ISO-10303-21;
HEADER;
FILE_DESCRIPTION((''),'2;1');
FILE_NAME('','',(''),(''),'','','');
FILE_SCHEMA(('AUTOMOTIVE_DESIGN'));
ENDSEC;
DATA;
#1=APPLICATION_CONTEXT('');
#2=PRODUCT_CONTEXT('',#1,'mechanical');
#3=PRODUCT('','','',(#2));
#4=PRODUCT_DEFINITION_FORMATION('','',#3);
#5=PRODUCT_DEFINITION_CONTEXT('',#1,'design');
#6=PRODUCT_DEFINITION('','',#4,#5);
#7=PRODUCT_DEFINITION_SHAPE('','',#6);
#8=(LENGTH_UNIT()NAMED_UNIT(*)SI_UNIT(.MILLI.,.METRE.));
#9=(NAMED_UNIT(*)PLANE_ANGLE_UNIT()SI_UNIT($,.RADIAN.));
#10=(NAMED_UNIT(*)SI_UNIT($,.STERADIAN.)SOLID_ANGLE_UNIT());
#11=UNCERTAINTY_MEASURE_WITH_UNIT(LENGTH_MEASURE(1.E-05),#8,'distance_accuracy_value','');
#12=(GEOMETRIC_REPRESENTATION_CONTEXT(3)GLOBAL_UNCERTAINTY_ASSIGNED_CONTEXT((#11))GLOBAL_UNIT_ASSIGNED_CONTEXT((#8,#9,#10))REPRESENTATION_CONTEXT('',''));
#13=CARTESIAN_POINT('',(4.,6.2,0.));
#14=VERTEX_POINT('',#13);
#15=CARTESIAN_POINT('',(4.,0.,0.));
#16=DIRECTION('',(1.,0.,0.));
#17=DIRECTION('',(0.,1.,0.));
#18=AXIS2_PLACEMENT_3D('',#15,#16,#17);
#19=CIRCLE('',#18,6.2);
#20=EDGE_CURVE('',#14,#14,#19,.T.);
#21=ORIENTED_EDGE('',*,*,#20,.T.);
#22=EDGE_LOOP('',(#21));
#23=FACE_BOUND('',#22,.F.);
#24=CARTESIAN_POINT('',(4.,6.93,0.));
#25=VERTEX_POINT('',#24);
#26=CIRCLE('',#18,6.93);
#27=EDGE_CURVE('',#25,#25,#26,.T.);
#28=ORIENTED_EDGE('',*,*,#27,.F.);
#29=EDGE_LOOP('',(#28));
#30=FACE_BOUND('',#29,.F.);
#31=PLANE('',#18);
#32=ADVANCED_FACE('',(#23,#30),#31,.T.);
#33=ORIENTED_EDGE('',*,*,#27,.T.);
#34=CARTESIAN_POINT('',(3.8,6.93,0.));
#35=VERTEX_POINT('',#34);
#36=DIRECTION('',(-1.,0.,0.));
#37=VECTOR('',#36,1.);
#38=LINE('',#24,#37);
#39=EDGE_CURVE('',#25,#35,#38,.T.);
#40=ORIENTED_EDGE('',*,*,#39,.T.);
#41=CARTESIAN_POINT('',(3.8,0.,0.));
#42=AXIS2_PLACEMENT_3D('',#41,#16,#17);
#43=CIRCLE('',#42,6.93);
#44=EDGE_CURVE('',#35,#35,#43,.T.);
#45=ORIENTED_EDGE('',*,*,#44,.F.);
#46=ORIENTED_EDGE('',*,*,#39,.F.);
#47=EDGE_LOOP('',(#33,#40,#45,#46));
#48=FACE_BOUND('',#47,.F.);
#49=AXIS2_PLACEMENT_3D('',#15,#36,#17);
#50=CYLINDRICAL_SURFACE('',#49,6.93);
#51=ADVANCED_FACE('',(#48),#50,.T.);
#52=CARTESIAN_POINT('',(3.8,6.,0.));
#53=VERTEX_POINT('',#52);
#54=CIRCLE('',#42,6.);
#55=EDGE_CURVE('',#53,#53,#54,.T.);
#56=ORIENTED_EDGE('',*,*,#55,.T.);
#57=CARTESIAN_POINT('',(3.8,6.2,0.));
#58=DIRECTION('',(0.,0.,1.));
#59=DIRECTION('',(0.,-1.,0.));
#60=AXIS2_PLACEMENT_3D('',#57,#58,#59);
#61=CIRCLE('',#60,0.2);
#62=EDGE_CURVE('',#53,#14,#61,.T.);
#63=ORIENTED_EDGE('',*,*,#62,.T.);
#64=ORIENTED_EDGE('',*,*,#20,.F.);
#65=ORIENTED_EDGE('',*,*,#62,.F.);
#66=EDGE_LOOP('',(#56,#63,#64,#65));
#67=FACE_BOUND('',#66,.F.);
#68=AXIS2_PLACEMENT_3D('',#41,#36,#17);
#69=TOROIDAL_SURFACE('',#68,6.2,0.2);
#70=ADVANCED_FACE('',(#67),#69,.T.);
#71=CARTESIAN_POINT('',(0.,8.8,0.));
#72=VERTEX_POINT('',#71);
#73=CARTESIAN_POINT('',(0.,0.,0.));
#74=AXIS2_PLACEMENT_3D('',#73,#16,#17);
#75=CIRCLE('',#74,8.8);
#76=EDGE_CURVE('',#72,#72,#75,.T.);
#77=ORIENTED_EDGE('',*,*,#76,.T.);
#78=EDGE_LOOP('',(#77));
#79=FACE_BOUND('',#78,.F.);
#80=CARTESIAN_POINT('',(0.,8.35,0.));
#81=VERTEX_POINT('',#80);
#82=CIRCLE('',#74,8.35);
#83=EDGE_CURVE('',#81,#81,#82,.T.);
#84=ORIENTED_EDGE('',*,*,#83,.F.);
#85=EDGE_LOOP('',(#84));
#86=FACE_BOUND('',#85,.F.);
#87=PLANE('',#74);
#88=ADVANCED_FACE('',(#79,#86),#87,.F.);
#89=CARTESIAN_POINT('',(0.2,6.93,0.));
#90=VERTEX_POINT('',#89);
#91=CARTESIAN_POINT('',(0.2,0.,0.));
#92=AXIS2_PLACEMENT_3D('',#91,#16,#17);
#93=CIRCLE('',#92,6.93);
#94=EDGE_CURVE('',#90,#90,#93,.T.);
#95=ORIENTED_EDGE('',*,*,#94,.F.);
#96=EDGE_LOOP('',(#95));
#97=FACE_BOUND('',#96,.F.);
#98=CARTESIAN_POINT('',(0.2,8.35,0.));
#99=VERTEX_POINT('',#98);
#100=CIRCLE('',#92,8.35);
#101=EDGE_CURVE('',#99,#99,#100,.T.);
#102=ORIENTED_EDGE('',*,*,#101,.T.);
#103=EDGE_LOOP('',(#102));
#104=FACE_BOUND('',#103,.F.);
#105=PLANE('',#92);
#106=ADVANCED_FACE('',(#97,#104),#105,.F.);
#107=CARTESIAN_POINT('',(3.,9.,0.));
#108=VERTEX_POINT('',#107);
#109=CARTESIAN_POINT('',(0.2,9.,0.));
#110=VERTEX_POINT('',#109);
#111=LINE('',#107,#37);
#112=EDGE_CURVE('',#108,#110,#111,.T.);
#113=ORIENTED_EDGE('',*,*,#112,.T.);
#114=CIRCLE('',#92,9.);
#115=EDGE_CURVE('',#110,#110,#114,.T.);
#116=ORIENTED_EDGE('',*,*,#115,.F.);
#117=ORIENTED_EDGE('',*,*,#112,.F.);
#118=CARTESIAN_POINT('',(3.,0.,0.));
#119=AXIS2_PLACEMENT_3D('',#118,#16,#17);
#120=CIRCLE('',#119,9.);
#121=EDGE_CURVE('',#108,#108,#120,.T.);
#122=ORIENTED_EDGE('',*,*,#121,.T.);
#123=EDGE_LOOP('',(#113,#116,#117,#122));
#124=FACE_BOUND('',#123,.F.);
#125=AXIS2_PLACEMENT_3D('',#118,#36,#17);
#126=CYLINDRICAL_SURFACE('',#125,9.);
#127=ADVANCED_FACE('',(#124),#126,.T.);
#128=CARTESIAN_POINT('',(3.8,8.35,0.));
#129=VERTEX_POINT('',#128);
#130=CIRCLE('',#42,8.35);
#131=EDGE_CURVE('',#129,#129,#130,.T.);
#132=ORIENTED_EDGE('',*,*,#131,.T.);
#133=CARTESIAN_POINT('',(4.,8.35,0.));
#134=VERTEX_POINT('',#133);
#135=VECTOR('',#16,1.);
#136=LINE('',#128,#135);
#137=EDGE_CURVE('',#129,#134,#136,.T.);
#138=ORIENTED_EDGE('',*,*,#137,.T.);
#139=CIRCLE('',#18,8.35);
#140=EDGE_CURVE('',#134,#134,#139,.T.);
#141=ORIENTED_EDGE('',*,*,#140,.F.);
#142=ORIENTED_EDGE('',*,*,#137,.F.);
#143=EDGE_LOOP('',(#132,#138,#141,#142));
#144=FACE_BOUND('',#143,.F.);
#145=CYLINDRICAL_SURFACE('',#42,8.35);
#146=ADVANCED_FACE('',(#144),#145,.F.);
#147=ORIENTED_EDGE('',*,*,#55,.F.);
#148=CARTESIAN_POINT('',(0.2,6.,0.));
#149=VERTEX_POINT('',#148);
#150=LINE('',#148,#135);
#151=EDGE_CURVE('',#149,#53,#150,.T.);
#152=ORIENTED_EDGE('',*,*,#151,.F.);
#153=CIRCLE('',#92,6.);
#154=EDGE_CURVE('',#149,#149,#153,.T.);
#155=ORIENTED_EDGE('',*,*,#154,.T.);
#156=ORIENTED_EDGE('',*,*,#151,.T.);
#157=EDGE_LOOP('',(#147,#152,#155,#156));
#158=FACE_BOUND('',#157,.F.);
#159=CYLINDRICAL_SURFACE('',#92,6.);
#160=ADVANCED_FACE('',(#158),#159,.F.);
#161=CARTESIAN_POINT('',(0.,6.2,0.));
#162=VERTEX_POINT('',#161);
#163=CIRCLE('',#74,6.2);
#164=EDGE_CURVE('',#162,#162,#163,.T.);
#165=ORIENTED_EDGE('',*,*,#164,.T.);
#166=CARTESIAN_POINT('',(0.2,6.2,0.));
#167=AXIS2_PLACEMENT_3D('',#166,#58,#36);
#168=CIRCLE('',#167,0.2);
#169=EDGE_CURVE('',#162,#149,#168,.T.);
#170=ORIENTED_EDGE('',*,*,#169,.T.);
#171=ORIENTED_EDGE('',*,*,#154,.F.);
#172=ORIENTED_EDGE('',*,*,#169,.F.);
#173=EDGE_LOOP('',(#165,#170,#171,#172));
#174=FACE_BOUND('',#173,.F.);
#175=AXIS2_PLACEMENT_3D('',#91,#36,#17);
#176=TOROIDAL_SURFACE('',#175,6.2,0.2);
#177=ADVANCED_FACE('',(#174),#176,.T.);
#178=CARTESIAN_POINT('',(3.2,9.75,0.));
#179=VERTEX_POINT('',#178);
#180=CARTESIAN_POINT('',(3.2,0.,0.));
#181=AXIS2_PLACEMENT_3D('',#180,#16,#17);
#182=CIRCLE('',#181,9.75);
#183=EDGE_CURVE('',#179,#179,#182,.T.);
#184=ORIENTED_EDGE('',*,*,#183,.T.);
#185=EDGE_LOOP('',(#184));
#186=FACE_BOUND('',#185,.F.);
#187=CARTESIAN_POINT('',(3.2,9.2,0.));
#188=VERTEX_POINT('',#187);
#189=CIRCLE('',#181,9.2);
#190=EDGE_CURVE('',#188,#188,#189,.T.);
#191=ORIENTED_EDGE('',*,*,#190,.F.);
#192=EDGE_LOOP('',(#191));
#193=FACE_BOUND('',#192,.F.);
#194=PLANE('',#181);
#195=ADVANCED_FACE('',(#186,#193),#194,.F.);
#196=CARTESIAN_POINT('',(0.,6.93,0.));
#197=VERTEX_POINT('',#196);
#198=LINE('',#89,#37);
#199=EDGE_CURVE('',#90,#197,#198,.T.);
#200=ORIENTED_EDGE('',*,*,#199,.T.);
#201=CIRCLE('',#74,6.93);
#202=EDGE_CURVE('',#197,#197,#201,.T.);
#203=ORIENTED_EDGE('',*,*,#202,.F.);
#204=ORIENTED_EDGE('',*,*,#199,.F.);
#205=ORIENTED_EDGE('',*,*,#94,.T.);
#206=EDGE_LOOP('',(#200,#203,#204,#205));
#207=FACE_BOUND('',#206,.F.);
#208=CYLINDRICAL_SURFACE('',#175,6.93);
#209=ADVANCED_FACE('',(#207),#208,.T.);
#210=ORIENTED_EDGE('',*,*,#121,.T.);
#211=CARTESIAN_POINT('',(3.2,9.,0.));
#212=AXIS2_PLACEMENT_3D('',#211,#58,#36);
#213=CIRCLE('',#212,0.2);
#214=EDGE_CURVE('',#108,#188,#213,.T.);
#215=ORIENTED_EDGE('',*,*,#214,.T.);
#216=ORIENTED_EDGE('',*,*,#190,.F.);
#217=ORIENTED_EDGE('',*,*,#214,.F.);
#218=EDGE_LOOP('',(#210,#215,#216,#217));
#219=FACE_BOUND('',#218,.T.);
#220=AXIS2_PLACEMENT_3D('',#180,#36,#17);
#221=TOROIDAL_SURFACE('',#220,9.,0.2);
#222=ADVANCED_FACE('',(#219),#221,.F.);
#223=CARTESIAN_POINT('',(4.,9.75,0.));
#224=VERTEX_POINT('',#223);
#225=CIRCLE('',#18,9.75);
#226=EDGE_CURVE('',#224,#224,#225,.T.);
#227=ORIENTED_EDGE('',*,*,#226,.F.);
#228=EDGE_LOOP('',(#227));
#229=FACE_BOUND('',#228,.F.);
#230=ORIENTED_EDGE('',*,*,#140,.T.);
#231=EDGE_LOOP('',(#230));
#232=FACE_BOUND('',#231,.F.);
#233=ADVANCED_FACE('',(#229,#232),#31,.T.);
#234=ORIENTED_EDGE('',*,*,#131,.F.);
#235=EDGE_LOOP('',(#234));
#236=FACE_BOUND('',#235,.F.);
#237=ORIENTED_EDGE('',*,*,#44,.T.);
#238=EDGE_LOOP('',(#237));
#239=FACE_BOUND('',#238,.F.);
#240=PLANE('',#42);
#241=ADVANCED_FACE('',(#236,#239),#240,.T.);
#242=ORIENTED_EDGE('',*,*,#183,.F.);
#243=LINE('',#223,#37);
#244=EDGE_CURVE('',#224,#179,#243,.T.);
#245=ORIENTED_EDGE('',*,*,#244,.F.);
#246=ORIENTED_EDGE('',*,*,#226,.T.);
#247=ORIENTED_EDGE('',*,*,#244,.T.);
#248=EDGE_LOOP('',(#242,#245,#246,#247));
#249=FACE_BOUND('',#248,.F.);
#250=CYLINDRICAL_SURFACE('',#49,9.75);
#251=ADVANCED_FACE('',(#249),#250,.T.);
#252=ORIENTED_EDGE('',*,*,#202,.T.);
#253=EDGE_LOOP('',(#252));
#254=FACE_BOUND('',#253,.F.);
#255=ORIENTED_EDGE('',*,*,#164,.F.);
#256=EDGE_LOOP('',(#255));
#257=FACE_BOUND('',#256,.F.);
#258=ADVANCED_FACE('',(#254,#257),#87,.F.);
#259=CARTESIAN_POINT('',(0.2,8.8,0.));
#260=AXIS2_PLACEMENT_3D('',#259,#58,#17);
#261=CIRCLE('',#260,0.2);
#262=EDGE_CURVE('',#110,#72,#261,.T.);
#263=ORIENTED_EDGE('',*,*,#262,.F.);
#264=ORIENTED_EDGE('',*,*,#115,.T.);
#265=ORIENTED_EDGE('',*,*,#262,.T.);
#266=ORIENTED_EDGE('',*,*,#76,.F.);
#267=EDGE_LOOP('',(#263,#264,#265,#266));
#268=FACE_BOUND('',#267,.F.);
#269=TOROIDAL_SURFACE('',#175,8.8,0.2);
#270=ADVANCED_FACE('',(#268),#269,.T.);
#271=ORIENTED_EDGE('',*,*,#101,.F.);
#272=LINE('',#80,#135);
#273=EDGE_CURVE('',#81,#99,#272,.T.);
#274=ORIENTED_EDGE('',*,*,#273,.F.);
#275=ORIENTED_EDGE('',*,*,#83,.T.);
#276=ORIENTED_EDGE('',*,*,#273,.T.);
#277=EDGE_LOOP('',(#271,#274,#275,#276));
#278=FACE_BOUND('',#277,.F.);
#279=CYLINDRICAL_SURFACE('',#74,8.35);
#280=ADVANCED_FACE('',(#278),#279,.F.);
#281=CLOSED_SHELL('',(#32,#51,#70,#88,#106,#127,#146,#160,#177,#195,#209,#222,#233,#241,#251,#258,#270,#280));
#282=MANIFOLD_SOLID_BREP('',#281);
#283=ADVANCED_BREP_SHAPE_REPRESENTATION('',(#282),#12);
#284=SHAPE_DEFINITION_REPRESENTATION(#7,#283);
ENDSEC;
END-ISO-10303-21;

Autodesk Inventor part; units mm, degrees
sketch "Sketch_1" plane through (0, 0, 0) normal (0, 0, 1) x (1, 0, 0)
  line L0 (18, 0) -> (-18, 0)
  arc A0 (0, 6.2) -> (0.2, 6) centre (0.2, 6.2) ccw
  line L1 (0.2, 6) -> (3.8, 6)
  arc A1 (3.8, 6) -> (4, 6.2) centre (3.8, 6.2) ccw
  line L2 (4, 6.2) -> (4, 6.93)
  line L3 (4, 6.93) -> (3.8, 6.93)
  line L4 (3.8, 6.93) -> (3.8, 8.35)
  line L5 (3.8, 8.35) -> (4, 8.35)
  line L6 (4, 8.35) -> (4, 9.75)
  line L7 (4, 9.75) -> (3.2, 9.75)
  line L8 (3.2, 9.75) -> (3.2, 9.2)
  arc A2 (3, 9) -> (3.2, 9.2) centre (3.2, 9) ccw
  line L9 (3, 9) -> (0.2, 9)
  arc A3 (0.2, 9) -> (0, 8.8) centre (0.2, 8.8) ccw
  line L10 (0, 8.8) -> (0, 8.35)
  line L11 (0, 8.35) -> (0.2, 8.35)
  line L12 (0.2, 8.35) -> (0.2, 6.93)
  line L13 (0.2, 6.93) -> (0, 6.93)
  line L14 (0, 6.93) -> (0, 6.2)
revolve "Revolution1" add sketch "Sketch_1" angle 360 about axis through (18, 0, 0) along (1, 0, 0)
ref_plane "to_housing_XY" through (0, 0, 0) normal (1, 0, 0) x (0, 0, -1)
ref_plane "to_housing_YZ" through (0, 0, 0) normal (0, 0, -1) x (0, 1, 0)
ref_plane "to_housing_ZX" through (0, 0, 0) normal (0, 1, 0) x (1, 0, 0)
properties part number "FL6701ZZ" material "鉄、鋳鉄"
